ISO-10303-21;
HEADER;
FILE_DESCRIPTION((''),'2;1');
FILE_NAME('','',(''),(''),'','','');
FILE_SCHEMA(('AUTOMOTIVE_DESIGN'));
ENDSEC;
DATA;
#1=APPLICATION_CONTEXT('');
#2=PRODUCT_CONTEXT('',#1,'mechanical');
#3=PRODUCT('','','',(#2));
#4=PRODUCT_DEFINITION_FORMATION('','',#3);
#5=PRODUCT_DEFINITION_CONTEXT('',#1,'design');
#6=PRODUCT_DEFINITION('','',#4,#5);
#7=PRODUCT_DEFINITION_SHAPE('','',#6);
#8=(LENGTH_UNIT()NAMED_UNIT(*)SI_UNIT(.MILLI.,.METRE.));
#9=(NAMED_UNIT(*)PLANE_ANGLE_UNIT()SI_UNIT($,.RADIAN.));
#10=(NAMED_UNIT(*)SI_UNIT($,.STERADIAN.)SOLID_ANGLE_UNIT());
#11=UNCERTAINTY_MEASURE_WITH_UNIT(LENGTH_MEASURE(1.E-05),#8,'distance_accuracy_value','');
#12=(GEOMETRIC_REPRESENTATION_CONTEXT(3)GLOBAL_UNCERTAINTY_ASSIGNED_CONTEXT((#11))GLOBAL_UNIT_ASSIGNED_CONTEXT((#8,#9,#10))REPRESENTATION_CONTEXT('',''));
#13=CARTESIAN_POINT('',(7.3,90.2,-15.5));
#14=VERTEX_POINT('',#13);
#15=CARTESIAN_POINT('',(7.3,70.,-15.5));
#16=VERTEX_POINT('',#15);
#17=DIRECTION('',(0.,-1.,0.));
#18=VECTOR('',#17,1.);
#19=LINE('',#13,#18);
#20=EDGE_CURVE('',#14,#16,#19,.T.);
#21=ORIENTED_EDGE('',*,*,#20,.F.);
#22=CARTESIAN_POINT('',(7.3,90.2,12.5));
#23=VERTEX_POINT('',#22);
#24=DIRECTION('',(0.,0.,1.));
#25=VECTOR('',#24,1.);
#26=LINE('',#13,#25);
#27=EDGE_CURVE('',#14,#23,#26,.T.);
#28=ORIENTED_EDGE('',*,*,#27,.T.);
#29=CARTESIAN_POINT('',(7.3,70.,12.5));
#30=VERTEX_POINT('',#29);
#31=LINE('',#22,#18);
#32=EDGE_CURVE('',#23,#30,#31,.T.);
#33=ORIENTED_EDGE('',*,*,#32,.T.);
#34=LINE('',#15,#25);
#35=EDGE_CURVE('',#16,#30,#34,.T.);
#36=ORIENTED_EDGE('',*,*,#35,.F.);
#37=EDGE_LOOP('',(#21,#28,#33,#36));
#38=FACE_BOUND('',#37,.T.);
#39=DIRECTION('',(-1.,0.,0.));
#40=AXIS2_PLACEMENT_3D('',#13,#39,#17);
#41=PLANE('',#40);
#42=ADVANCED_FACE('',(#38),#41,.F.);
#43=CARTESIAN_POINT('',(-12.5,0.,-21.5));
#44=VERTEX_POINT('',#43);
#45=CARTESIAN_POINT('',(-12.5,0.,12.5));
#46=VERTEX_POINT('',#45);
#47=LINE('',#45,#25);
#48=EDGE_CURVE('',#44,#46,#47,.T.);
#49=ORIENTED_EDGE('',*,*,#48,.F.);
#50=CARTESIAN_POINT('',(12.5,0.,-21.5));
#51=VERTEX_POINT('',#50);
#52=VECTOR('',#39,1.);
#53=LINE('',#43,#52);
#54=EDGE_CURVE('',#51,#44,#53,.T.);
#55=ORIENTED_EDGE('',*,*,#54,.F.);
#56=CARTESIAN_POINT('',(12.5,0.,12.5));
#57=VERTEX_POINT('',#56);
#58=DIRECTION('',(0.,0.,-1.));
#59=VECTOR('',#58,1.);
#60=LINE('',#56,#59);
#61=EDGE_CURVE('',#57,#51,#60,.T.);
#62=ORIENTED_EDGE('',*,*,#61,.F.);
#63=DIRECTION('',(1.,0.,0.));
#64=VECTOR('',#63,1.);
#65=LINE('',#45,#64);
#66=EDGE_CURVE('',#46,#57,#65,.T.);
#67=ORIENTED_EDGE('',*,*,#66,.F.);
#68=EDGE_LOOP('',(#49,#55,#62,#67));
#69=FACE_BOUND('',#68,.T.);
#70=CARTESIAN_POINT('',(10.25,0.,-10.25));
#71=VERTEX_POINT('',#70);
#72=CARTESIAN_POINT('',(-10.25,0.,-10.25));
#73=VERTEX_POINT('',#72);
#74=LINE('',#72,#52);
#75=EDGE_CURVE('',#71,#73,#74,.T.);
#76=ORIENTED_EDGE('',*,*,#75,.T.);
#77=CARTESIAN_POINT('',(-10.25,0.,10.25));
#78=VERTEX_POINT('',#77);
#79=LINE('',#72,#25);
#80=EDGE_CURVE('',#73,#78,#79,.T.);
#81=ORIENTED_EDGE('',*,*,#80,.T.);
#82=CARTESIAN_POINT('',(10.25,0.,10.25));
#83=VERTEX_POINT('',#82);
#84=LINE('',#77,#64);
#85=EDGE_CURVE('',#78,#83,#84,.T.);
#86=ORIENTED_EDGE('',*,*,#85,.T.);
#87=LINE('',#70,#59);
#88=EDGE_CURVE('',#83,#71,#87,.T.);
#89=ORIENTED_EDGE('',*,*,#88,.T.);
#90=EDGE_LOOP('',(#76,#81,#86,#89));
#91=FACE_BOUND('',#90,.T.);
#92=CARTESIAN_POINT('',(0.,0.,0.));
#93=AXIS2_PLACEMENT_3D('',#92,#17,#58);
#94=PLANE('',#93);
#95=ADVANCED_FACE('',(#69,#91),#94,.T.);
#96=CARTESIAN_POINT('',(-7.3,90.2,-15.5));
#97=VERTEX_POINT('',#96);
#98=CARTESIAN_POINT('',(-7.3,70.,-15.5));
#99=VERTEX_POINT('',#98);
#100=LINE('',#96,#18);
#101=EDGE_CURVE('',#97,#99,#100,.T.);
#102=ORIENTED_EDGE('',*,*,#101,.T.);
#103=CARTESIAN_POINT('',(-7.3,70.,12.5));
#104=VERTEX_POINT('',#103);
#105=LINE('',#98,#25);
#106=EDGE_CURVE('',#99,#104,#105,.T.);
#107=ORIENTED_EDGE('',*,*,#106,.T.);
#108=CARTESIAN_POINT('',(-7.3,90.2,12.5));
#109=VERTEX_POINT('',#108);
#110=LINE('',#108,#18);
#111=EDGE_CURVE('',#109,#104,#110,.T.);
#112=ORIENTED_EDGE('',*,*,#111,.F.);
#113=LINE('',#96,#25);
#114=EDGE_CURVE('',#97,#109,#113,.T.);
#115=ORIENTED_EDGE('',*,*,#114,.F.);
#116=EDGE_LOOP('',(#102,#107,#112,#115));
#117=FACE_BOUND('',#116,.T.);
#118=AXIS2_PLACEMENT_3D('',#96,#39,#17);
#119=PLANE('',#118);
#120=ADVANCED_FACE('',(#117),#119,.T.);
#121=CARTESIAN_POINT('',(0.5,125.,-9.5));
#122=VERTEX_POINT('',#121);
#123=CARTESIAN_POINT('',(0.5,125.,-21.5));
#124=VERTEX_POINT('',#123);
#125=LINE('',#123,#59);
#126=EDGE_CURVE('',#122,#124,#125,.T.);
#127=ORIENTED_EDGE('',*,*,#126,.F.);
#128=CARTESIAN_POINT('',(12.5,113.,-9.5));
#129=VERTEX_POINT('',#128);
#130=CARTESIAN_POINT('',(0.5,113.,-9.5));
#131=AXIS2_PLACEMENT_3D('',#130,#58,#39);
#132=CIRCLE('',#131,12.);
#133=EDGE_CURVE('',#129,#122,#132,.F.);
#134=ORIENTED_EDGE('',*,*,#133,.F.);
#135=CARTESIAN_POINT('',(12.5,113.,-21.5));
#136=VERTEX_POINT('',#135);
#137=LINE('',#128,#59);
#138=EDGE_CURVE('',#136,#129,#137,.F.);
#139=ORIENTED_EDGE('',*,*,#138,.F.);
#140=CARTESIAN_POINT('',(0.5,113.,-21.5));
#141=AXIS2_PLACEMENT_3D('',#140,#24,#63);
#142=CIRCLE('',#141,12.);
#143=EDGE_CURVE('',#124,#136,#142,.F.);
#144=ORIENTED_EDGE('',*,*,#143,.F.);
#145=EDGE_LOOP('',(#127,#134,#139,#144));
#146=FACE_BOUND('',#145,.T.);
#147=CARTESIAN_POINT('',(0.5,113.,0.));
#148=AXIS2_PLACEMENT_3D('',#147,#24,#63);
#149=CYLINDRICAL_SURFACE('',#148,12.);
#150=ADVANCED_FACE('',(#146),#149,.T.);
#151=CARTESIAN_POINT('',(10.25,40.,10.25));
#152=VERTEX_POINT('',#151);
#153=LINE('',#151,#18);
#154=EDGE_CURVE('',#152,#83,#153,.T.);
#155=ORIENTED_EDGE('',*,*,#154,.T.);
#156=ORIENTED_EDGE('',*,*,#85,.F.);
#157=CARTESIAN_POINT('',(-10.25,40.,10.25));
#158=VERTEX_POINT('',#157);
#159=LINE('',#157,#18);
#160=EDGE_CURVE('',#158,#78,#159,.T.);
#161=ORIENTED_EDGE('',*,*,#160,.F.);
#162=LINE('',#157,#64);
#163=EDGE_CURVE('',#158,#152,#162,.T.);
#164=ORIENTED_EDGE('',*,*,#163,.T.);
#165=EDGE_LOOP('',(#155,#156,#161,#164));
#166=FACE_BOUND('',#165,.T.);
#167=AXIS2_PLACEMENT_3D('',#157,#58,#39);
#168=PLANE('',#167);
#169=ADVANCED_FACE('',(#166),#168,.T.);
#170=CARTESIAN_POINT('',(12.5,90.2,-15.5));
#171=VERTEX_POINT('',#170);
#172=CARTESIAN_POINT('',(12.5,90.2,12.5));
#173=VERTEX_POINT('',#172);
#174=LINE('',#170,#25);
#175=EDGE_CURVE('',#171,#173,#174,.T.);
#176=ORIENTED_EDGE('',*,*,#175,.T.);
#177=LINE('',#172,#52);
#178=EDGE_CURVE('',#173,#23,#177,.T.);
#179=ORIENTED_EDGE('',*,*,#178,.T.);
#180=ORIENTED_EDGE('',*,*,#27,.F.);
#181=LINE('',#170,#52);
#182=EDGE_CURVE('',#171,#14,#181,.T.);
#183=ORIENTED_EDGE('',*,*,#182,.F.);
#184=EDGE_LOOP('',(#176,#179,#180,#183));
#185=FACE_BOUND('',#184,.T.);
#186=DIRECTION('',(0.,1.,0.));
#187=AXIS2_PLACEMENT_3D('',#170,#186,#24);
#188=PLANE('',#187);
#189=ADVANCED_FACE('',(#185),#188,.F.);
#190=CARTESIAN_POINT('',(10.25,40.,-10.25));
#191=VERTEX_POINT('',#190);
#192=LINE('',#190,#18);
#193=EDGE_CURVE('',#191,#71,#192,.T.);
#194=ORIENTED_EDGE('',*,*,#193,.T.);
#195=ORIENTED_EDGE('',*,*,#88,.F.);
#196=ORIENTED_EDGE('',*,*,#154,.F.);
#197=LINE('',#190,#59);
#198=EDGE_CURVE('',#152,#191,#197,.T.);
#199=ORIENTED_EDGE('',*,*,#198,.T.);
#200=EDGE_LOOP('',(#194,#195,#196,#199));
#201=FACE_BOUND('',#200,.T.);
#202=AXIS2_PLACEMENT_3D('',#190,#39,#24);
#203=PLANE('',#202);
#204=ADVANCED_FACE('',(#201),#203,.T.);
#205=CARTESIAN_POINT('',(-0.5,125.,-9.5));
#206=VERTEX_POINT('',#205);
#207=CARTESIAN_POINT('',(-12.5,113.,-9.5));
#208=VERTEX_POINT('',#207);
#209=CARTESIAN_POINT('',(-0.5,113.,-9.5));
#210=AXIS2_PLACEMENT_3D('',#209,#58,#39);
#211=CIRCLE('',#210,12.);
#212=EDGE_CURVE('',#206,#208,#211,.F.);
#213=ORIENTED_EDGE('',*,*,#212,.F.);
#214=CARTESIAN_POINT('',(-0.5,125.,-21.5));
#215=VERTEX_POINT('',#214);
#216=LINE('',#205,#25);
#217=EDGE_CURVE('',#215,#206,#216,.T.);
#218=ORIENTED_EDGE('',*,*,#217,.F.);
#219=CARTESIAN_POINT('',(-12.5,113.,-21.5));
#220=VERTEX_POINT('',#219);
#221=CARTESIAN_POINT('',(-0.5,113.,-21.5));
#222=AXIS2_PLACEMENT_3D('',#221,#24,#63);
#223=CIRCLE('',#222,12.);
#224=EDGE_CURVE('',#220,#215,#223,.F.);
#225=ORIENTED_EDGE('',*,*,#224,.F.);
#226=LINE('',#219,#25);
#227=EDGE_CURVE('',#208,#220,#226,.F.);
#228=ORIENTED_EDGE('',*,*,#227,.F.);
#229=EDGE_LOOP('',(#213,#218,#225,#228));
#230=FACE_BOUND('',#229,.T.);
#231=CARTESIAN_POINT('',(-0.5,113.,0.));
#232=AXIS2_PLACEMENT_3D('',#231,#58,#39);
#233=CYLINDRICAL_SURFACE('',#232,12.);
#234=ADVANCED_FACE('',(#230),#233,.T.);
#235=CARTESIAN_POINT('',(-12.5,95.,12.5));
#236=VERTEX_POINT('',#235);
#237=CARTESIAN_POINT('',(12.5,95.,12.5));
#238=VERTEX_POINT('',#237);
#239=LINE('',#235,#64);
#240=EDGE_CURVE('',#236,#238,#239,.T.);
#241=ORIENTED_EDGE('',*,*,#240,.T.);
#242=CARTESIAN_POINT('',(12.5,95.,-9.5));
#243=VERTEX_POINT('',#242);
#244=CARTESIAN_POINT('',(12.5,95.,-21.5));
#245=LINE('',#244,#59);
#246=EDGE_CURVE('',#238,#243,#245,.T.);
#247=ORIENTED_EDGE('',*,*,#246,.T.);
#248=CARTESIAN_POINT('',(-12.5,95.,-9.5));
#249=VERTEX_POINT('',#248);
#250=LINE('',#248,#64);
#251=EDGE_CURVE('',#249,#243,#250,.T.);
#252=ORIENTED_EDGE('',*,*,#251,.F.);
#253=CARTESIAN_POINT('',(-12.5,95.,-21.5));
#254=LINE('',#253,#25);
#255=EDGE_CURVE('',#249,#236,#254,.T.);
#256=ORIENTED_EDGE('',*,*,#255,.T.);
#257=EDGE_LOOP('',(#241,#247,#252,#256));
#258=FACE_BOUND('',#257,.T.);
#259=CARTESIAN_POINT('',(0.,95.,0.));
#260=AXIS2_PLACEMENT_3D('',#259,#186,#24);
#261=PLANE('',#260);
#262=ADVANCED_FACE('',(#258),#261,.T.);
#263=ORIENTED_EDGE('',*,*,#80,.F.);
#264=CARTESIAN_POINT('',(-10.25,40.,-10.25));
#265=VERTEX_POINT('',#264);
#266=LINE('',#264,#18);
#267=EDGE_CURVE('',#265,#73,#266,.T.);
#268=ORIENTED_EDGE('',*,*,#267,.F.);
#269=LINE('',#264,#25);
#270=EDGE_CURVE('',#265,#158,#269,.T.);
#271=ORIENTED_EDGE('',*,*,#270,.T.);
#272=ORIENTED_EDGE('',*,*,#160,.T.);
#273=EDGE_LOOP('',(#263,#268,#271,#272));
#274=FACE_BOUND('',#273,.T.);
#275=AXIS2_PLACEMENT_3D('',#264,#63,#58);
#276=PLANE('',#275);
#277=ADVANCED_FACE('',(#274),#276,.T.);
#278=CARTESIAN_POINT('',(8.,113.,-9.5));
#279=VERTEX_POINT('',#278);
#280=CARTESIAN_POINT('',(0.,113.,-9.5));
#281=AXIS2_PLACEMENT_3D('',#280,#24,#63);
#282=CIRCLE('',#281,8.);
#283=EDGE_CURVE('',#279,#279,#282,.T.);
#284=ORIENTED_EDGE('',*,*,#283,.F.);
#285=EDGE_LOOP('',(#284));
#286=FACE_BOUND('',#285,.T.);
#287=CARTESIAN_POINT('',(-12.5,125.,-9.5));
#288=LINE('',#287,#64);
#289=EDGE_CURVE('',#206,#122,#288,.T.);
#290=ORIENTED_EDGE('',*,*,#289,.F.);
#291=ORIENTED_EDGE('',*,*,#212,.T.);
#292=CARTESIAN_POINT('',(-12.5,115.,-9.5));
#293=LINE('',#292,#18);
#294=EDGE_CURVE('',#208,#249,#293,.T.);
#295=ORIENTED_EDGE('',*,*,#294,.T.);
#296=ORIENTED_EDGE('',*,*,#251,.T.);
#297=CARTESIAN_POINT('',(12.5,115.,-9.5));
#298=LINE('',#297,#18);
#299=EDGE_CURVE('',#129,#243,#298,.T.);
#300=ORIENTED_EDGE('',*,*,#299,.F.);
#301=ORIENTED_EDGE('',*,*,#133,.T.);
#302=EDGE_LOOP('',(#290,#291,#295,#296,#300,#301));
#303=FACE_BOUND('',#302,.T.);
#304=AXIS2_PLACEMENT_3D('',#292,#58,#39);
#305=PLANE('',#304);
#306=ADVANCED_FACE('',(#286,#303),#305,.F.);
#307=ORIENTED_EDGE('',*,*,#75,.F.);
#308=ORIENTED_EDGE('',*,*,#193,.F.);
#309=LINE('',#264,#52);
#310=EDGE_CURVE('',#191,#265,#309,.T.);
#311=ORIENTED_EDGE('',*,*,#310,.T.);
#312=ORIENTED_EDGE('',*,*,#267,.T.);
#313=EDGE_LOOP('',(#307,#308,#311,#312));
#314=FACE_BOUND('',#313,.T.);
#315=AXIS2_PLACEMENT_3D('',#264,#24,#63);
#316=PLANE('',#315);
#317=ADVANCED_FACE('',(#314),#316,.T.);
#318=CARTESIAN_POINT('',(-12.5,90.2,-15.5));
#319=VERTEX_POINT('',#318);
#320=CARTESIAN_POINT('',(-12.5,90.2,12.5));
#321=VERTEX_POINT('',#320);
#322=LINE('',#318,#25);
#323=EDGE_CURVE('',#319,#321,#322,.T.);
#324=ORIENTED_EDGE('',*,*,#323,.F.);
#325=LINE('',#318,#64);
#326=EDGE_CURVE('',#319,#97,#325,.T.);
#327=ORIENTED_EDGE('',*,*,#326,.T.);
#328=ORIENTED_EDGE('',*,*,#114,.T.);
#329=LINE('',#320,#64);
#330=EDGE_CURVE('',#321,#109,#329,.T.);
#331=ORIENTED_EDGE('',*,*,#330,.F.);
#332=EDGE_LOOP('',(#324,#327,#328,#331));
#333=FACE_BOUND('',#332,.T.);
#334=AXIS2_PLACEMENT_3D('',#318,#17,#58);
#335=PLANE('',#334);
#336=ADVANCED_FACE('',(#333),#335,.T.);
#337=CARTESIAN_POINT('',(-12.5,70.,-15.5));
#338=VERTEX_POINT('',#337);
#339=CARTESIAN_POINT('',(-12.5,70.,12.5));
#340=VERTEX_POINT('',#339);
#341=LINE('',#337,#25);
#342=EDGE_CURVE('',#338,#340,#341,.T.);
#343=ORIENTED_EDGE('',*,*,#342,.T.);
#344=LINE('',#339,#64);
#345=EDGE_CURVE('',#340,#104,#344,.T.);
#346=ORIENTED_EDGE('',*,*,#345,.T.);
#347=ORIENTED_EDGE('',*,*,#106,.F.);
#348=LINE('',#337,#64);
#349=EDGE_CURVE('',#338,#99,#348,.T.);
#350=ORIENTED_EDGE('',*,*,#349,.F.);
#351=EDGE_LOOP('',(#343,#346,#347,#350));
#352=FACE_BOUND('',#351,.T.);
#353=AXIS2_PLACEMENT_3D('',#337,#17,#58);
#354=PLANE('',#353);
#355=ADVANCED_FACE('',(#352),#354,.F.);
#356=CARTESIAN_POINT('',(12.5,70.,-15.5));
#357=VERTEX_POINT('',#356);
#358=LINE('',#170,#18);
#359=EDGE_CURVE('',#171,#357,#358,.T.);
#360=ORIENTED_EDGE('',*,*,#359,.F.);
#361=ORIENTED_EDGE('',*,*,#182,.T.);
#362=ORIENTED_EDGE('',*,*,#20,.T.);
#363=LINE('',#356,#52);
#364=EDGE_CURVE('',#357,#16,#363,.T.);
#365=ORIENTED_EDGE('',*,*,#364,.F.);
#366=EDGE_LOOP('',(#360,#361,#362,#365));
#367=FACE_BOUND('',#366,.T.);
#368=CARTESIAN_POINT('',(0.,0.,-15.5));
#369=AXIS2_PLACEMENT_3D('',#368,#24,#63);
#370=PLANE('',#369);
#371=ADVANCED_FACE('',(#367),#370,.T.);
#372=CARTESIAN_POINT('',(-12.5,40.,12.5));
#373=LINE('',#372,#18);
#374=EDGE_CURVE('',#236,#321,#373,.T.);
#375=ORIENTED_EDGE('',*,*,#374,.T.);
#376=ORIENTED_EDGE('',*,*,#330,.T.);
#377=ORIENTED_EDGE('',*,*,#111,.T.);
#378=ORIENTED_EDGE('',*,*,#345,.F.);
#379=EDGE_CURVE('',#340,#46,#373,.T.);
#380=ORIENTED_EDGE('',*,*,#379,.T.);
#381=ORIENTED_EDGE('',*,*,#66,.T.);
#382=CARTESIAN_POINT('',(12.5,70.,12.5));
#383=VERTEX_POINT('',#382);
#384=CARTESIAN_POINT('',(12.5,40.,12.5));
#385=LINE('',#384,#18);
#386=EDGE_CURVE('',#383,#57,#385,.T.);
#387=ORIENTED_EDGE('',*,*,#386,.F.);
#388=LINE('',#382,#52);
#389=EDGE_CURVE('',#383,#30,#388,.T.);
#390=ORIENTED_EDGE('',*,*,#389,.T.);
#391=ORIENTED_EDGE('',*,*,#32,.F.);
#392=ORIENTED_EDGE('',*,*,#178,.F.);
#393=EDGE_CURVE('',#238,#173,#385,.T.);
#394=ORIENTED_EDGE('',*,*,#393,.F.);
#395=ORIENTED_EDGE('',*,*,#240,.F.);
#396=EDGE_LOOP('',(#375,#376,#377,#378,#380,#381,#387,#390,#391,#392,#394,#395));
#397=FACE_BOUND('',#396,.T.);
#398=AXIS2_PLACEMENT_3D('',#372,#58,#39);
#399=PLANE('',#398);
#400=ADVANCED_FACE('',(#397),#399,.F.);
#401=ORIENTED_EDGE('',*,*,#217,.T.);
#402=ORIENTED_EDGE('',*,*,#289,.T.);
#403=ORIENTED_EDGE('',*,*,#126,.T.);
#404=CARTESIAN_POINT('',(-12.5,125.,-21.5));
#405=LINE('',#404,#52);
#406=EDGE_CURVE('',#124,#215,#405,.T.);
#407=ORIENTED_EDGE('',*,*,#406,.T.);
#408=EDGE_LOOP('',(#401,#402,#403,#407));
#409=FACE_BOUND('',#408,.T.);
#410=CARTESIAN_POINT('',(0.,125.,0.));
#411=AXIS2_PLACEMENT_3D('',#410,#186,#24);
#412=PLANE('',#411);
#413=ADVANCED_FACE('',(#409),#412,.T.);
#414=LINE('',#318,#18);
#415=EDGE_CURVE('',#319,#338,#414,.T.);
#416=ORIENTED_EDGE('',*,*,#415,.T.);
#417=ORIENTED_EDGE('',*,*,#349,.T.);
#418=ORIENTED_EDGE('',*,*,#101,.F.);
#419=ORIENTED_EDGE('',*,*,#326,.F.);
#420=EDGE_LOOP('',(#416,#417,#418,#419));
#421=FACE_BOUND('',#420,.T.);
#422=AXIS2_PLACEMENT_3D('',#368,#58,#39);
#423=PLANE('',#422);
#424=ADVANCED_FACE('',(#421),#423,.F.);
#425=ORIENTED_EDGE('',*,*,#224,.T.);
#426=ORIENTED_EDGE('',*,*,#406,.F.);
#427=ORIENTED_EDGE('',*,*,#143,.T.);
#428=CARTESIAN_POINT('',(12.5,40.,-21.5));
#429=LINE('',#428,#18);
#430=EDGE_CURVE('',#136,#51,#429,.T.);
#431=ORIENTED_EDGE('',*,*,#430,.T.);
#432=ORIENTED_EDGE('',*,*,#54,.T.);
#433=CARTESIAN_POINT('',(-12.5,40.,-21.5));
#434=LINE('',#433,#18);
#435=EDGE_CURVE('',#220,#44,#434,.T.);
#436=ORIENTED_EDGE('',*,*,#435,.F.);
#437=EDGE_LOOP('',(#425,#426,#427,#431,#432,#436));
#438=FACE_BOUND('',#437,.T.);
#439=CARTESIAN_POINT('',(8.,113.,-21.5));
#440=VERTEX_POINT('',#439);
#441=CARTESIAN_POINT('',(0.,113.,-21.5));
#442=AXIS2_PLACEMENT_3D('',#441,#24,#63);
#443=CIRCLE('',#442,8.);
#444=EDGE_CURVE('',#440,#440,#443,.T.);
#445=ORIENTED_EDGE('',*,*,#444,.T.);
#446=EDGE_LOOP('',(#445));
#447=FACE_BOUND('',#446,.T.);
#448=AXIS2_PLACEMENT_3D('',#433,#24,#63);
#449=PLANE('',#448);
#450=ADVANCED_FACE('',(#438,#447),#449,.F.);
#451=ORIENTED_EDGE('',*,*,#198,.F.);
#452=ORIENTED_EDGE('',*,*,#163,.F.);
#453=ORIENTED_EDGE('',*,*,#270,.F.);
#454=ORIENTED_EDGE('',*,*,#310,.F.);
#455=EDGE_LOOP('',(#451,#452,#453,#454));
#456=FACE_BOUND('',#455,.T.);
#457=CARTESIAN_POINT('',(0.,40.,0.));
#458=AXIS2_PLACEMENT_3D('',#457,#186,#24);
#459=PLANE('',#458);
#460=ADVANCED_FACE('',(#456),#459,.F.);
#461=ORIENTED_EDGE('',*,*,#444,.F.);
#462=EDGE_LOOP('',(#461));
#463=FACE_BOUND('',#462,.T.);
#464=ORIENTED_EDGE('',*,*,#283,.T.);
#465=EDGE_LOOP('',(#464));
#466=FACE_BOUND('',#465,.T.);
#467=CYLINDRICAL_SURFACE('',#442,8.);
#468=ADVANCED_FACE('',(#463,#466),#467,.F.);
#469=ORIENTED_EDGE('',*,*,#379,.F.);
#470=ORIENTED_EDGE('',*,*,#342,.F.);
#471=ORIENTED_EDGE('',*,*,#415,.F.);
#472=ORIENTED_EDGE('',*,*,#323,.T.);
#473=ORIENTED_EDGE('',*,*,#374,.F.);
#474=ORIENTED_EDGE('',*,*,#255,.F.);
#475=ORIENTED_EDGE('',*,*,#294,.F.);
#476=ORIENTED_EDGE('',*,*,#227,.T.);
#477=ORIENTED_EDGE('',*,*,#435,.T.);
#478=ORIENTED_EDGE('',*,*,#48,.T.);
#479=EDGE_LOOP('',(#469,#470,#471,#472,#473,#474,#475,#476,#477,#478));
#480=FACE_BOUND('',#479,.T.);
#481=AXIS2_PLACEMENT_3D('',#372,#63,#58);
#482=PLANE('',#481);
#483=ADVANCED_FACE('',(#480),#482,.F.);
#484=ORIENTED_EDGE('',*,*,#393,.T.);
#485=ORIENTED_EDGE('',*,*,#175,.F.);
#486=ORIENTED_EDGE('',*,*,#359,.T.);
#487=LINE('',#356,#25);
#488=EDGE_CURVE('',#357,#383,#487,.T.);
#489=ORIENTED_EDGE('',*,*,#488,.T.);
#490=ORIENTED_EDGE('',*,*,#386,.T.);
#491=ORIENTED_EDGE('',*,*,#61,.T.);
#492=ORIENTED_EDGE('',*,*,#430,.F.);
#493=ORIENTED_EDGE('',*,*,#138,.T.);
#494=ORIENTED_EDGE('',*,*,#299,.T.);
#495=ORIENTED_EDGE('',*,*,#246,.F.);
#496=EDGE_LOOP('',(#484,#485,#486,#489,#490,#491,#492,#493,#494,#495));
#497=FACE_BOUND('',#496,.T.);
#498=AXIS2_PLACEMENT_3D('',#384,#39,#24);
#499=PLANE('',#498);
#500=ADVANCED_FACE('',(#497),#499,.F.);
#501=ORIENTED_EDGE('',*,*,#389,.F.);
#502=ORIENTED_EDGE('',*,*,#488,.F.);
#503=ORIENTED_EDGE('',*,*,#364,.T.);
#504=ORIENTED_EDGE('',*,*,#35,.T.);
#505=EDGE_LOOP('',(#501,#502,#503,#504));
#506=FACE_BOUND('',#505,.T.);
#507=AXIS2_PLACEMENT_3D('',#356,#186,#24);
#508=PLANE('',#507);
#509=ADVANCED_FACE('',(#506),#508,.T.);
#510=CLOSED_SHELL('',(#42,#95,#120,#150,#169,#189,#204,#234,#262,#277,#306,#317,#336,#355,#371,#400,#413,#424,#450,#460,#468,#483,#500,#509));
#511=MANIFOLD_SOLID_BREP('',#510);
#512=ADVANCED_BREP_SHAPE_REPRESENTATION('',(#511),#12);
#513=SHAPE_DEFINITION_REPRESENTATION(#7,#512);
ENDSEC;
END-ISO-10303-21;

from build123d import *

# Parameters (mm, degrees)
SKETCH1_W           = 25
SKETCH1_H           = 34
SKETCH1_W_2         = 20.5
SKETCH1_H_2         = 20.5
BOSS_EXTRUDE1_DEPTH = 40
SKETCH2_W           = 25
SKETCH2_H           = 34
BOSS_EXTRUDE2_DEPTH = 55
SKETCH3_W           = 25
SKETCH3_H           = 12
BOSS_EXTRUDE3_DEPTH = 20
SKETCH4_W           = 25
SKETCH4_H           = 12
BOSS_EXTRUDE4_DEPTH = 10
SKETCH6_R           = 8
CUT_EXTRUDE1_DEPTH  = 12
FILLET1_R           = 12
SKETCH7_W           = 5.2
SKETCH7_H           = 20.2
CUT_EXTRUDE2_DEPTH  = 28


with BuildPart() as part:
    # Sketch1 → Boss-Extrude1 (new body)
    with BuildSketch(Plane(origin=(0, 0, 0), x_dir=(1, 0, 0), z_dir=(0, 1, 0))):
        with Locations((0, 4.5)):
            Rectangle(SKETCH1_W, SKETCH1_H)
        Rectangle(SKETCH1_W_2, SKETCH1_H_2, mode=Mode.SUBTRACT)
    extrude(amount=BOSS_EXTRUDE1_DEPTH)

    # Sketch2 → Boss-Extrude2 (add)
    with BuildSketch(Plane(origin=(0, 40, 0), x_dir=(1, 0, 0), z_dir=(0, 1, 0))):
        with Locations((0, 4.5)):
            Rectangle(SKETCH2_W, SKETCH2_H)
    extrude(amount=BOSS_EXTRUDE2_DEPTH)

    # Sketch3 → Boss-Extrude3 (add)
    with BuildSketch(Plane(origin=(0, 95, 0), x_dir=(1, 0, 0), z_dir=(0, 1, 0))):
        with Locations((0, 15.5)):
            Rectangle(SKETCH3_W, SKETCH3_H)
    extrude(amount=BOSS_EXTRUDE3_DEPTH)

    # Sketch4 → Boss-Extrude4 (add)
    with BuildSketch(Plane(origin=(0, 115, 0), x_dir=(1, 0, 0), z_dir=(0, 1, 0))):
        with Locations((0, 15.5)):
            Rectangle(SKETCH4_W, SKETCH4_H)
    extrude(amount=BOSS_EXTRUDE4_DEPTH)

    # Sketch6 → Cut-Extrude1 (cut)
    with BuildSketch(Plane.XY.offset(-9.5)):
        with Locations((0, 113)):
            Circle(SKETCH6_R)
    extrude(amount=-CUT_EXTRUDE1_DEPTH, mode=Mode.SUBTRACT)

    # Fillet1
    fillet1_edges = [part.edges().sort_by_distance(p)[0] for p in [
        (-12.5, 125, -15.5),
        (12.5, 125, -15.5),
    ]]
    fillet(fillet1_edges, radius=FILLET1_R)

    # Sketch7 → Cut-Extrude2 (cut)
    with BuildSketch(Plane.XY.offset(12.5)):
        with Locations((-9.9, 80.1)):
            Rectangle(SKETCH7_W, SKETCH7_H)
        with Locations((9.9, 80.1)):
            Rectangle(SKETCH7_W, SKETCH7_H)
    extrude(amount=-CUT_EXTRUDE2_DEPTH, mode=Mode.SUBTRACT)


solid = part.part
